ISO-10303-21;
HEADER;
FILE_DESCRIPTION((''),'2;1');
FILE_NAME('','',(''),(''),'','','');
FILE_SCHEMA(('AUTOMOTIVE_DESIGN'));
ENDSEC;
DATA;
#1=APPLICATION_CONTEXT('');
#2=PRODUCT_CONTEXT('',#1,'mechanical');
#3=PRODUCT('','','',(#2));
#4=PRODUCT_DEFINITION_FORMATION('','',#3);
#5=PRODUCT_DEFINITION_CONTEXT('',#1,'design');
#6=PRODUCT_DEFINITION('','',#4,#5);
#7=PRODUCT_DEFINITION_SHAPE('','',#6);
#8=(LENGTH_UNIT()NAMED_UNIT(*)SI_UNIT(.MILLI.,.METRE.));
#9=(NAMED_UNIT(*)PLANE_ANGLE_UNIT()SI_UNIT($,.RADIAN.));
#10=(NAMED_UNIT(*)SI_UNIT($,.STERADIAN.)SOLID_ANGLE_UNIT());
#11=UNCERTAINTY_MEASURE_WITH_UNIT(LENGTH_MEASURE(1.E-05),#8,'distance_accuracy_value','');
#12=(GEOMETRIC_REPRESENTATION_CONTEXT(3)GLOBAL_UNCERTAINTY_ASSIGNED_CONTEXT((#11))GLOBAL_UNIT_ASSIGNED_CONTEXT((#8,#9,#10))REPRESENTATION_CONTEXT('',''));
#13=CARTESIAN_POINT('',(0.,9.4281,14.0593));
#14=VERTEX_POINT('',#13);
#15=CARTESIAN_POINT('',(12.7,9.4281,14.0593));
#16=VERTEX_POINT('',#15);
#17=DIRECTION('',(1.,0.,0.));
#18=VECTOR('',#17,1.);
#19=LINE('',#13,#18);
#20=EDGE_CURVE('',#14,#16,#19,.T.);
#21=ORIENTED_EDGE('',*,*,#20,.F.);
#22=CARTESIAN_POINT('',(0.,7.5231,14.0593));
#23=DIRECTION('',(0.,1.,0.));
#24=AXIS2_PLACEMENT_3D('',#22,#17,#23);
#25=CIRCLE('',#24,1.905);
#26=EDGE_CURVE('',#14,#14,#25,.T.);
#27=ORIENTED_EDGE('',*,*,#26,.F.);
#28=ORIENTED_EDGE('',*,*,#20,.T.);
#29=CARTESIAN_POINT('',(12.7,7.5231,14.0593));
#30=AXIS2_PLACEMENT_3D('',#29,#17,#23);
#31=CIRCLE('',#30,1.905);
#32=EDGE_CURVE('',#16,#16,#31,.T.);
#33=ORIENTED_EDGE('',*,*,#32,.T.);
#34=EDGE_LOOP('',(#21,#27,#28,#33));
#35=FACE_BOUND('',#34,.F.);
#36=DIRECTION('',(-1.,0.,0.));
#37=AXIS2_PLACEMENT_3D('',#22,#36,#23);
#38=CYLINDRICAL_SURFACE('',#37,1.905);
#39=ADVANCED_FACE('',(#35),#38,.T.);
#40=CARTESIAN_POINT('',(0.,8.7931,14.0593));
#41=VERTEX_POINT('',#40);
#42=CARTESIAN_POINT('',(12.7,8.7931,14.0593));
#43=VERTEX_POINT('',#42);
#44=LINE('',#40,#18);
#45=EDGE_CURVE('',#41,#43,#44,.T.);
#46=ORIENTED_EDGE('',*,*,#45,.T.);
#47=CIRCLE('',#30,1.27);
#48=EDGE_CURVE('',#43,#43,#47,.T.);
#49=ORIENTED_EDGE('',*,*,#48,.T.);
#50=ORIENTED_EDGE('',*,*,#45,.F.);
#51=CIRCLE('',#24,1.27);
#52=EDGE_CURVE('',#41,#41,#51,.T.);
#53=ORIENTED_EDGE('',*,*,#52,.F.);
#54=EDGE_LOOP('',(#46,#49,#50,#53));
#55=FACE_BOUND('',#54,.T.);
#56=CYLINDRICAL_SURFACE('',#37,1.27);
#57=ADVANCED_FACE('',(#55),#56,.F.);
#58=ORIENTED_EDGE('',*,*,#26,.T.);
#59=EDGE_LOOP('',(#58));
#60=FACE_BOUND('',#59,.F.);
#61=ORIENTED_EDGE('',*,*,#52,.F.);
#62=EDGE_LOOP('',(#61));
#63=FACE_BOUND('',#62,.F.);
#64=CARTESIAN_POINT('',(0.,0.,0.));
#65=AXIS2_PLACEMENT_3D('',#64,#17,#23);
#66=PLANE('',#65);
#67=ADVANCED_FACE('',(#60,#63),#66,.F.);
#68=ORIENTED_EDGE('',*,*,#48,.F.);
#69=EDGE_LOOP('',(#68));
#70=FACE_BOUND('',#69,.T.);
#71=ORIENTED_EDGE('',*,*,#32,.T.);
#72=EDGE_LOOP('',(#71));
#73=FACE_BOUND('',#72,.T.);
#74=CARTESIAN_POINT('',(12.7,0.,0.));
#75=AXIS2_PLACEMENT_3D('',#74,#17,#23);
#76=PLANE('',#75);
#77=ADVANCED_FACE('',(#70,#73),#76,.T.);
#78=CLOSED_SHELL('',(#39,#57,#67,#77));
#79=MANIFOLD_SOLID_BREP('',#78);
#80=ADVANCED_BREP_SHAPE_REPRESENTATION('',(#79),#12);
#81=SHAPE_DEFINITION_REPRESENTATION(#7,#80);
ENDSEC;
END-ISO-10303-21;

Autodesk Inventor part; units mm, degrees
ref_plane "YZ Plane" through (0, 0, 0) normal (1, 0, 0) x (0, 1, 0)
ref_plane "XZ Plane" through (0, 0, 0) normal (0, 1, 0) x (-1, 0, 0)
ref_plane "XY Plane" through (0, 0, 0) normal (0, 0, 1) x (1, 0, 0)
sketch "Sketch1" plane through (0, 0, 0) normal (1, 0, 0) x (0, 1, 0)
  circle A0 centre (7.5231, 14.0593) radius 1.27
  circle A1 centre (7.5231, 14.0593) radius 1.905
  point P0 (0, 0)
  dimension "d0" = 2.54
  dimension "d1" = 3.81
extrude "Extrusion1" add sketch "Sketch1" along normal blind 12.7
properties part number "axle holder"
